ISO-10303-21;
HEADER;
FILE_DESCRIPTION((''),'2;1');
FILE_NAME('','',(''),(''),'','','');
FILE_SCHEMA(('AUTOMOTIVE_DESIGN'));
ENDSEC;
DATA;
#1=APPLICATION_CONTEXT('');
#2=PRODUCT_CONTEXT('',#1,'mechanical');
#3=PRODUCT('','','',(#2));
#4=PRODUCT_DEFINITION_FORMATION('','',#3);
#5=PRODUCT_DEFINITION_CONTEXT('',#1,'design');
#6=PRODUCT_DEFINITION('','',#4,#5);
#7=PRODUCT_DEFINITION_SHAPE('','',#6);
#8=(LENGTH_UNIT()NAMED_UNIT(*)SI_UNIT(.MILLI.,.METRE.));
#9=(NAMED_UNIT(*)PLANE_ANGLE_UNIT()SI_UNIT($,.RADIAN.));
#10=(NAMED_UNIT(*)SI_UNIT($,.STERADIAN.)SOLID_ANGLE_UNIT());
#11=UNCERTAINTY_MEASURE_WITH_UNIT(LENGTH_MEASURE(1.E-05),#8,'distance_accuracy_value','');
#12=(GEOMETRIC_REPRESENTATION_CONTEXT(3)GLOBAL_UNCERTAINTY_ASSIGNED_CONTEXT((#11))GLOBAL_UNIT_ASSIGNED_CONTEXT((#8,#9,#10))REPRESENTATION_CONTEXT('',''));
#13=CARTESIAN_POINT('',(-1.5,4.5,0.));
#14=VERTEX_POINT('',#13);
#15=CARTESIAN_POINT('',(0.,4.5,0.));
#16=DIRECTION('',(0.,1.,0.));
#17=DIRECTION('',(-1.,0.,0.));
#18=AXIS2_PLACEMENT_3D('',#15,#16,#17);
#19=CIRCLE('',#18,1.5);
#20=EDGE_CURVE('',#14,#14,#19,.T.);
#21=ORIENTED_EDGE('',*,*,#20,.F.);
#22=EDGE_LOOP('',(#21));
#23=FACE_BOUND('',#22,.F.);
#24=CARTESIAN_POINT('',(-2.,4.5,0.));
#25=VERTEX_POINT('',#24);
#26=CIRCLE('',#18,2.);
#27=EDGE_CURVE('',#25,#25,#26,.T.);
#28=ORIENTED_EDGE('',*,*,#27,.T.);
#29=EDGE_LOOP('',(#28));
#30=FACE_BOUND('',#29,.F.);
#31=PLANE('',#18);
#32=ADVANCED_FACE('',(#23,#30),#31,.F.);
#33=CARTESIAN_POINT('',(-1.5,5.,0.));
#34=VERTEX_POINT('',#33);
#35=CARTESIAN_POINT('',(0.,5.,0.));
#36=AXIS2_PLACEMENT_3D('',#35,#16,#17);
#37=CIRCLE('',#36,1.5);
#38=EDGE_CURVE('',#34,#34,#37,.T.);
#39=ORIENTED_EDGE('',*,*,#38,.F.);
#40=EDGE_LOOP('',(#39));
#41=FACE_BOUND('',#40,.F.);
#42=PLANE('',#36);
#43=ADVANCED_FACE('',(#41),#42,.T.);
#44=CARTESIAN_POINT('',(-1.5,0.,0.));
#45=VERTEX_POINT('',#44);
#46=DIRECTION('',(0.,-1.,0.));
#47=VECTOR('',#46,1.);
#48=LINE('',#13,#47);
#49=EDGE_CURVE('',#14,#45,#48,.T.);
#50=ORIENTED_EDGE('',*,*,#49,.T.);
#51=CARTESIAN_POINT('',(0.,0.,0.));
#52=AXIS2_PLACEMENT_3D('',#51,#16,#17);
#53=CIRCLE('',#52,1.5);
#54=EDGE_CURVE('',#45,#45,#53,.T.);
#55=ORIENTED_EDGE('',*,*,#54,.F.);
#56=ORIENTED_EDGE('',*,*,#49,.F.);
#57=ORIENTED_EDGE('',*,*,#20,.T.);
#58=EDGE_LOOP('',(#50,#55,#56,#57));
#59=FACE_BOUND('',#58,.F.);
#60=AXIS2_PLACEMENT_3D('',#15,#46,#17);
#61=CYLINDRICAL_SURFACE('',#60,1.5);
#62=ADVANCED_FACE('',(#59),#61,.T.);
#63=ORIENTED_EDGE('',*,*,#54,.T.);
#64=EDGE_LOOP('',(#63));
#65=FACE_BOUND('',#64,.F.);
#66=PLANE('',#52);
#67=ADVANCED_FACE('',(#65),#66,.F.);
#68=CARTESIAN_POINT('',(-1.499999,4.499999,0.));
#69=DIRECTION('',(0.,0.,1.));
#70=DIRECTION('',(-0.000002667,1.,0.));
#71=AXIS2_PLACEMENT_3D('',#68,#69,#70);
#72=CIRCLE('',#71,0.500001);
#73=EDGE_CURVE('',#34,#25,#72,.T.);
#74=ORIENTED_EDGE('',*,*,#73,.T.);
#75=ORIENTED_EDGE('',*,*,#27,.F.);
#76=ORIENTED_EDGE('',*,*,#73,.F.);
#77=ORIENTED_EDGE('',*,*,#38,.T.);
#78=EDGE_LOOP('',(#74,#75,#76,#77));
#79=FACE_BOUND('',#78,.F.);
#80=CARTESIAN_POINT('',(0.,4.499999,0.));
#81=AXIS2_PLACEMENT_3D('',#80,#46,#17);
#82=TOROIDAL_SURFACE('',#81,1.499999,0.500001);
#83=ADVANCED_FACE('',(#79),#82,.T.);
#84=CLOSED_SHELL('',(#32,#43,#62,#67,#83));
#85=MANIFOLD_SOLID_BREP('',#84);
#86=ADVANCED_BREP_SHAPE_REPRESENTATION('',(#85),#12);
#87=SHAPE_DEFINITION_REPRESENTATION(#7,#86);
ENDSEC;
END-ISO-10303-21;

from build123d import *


with BuildPart() as f1:
    # F0 (on Top) → F1 (revolve)
    with BuildSketch(Plane.XY):
        with BuildLine():
            Line((-1.5, 0), (0, 0))
            Line((0, 0), (0, 5))
            Line((0, 5), (-1.5, 5))
            ThreePointArc((-1.5, 5), (-1.853553, 4.853553), (-2, 4.5))
            Line((-2, 4.5), (-1.5, 4.5))
            Line((-1.5, 4.5), (-1.5, 0))
        make_face()
    revolve(axis=Axis((0, 2.734766, 0), (0, 1, 0)))


solid = f1.part
